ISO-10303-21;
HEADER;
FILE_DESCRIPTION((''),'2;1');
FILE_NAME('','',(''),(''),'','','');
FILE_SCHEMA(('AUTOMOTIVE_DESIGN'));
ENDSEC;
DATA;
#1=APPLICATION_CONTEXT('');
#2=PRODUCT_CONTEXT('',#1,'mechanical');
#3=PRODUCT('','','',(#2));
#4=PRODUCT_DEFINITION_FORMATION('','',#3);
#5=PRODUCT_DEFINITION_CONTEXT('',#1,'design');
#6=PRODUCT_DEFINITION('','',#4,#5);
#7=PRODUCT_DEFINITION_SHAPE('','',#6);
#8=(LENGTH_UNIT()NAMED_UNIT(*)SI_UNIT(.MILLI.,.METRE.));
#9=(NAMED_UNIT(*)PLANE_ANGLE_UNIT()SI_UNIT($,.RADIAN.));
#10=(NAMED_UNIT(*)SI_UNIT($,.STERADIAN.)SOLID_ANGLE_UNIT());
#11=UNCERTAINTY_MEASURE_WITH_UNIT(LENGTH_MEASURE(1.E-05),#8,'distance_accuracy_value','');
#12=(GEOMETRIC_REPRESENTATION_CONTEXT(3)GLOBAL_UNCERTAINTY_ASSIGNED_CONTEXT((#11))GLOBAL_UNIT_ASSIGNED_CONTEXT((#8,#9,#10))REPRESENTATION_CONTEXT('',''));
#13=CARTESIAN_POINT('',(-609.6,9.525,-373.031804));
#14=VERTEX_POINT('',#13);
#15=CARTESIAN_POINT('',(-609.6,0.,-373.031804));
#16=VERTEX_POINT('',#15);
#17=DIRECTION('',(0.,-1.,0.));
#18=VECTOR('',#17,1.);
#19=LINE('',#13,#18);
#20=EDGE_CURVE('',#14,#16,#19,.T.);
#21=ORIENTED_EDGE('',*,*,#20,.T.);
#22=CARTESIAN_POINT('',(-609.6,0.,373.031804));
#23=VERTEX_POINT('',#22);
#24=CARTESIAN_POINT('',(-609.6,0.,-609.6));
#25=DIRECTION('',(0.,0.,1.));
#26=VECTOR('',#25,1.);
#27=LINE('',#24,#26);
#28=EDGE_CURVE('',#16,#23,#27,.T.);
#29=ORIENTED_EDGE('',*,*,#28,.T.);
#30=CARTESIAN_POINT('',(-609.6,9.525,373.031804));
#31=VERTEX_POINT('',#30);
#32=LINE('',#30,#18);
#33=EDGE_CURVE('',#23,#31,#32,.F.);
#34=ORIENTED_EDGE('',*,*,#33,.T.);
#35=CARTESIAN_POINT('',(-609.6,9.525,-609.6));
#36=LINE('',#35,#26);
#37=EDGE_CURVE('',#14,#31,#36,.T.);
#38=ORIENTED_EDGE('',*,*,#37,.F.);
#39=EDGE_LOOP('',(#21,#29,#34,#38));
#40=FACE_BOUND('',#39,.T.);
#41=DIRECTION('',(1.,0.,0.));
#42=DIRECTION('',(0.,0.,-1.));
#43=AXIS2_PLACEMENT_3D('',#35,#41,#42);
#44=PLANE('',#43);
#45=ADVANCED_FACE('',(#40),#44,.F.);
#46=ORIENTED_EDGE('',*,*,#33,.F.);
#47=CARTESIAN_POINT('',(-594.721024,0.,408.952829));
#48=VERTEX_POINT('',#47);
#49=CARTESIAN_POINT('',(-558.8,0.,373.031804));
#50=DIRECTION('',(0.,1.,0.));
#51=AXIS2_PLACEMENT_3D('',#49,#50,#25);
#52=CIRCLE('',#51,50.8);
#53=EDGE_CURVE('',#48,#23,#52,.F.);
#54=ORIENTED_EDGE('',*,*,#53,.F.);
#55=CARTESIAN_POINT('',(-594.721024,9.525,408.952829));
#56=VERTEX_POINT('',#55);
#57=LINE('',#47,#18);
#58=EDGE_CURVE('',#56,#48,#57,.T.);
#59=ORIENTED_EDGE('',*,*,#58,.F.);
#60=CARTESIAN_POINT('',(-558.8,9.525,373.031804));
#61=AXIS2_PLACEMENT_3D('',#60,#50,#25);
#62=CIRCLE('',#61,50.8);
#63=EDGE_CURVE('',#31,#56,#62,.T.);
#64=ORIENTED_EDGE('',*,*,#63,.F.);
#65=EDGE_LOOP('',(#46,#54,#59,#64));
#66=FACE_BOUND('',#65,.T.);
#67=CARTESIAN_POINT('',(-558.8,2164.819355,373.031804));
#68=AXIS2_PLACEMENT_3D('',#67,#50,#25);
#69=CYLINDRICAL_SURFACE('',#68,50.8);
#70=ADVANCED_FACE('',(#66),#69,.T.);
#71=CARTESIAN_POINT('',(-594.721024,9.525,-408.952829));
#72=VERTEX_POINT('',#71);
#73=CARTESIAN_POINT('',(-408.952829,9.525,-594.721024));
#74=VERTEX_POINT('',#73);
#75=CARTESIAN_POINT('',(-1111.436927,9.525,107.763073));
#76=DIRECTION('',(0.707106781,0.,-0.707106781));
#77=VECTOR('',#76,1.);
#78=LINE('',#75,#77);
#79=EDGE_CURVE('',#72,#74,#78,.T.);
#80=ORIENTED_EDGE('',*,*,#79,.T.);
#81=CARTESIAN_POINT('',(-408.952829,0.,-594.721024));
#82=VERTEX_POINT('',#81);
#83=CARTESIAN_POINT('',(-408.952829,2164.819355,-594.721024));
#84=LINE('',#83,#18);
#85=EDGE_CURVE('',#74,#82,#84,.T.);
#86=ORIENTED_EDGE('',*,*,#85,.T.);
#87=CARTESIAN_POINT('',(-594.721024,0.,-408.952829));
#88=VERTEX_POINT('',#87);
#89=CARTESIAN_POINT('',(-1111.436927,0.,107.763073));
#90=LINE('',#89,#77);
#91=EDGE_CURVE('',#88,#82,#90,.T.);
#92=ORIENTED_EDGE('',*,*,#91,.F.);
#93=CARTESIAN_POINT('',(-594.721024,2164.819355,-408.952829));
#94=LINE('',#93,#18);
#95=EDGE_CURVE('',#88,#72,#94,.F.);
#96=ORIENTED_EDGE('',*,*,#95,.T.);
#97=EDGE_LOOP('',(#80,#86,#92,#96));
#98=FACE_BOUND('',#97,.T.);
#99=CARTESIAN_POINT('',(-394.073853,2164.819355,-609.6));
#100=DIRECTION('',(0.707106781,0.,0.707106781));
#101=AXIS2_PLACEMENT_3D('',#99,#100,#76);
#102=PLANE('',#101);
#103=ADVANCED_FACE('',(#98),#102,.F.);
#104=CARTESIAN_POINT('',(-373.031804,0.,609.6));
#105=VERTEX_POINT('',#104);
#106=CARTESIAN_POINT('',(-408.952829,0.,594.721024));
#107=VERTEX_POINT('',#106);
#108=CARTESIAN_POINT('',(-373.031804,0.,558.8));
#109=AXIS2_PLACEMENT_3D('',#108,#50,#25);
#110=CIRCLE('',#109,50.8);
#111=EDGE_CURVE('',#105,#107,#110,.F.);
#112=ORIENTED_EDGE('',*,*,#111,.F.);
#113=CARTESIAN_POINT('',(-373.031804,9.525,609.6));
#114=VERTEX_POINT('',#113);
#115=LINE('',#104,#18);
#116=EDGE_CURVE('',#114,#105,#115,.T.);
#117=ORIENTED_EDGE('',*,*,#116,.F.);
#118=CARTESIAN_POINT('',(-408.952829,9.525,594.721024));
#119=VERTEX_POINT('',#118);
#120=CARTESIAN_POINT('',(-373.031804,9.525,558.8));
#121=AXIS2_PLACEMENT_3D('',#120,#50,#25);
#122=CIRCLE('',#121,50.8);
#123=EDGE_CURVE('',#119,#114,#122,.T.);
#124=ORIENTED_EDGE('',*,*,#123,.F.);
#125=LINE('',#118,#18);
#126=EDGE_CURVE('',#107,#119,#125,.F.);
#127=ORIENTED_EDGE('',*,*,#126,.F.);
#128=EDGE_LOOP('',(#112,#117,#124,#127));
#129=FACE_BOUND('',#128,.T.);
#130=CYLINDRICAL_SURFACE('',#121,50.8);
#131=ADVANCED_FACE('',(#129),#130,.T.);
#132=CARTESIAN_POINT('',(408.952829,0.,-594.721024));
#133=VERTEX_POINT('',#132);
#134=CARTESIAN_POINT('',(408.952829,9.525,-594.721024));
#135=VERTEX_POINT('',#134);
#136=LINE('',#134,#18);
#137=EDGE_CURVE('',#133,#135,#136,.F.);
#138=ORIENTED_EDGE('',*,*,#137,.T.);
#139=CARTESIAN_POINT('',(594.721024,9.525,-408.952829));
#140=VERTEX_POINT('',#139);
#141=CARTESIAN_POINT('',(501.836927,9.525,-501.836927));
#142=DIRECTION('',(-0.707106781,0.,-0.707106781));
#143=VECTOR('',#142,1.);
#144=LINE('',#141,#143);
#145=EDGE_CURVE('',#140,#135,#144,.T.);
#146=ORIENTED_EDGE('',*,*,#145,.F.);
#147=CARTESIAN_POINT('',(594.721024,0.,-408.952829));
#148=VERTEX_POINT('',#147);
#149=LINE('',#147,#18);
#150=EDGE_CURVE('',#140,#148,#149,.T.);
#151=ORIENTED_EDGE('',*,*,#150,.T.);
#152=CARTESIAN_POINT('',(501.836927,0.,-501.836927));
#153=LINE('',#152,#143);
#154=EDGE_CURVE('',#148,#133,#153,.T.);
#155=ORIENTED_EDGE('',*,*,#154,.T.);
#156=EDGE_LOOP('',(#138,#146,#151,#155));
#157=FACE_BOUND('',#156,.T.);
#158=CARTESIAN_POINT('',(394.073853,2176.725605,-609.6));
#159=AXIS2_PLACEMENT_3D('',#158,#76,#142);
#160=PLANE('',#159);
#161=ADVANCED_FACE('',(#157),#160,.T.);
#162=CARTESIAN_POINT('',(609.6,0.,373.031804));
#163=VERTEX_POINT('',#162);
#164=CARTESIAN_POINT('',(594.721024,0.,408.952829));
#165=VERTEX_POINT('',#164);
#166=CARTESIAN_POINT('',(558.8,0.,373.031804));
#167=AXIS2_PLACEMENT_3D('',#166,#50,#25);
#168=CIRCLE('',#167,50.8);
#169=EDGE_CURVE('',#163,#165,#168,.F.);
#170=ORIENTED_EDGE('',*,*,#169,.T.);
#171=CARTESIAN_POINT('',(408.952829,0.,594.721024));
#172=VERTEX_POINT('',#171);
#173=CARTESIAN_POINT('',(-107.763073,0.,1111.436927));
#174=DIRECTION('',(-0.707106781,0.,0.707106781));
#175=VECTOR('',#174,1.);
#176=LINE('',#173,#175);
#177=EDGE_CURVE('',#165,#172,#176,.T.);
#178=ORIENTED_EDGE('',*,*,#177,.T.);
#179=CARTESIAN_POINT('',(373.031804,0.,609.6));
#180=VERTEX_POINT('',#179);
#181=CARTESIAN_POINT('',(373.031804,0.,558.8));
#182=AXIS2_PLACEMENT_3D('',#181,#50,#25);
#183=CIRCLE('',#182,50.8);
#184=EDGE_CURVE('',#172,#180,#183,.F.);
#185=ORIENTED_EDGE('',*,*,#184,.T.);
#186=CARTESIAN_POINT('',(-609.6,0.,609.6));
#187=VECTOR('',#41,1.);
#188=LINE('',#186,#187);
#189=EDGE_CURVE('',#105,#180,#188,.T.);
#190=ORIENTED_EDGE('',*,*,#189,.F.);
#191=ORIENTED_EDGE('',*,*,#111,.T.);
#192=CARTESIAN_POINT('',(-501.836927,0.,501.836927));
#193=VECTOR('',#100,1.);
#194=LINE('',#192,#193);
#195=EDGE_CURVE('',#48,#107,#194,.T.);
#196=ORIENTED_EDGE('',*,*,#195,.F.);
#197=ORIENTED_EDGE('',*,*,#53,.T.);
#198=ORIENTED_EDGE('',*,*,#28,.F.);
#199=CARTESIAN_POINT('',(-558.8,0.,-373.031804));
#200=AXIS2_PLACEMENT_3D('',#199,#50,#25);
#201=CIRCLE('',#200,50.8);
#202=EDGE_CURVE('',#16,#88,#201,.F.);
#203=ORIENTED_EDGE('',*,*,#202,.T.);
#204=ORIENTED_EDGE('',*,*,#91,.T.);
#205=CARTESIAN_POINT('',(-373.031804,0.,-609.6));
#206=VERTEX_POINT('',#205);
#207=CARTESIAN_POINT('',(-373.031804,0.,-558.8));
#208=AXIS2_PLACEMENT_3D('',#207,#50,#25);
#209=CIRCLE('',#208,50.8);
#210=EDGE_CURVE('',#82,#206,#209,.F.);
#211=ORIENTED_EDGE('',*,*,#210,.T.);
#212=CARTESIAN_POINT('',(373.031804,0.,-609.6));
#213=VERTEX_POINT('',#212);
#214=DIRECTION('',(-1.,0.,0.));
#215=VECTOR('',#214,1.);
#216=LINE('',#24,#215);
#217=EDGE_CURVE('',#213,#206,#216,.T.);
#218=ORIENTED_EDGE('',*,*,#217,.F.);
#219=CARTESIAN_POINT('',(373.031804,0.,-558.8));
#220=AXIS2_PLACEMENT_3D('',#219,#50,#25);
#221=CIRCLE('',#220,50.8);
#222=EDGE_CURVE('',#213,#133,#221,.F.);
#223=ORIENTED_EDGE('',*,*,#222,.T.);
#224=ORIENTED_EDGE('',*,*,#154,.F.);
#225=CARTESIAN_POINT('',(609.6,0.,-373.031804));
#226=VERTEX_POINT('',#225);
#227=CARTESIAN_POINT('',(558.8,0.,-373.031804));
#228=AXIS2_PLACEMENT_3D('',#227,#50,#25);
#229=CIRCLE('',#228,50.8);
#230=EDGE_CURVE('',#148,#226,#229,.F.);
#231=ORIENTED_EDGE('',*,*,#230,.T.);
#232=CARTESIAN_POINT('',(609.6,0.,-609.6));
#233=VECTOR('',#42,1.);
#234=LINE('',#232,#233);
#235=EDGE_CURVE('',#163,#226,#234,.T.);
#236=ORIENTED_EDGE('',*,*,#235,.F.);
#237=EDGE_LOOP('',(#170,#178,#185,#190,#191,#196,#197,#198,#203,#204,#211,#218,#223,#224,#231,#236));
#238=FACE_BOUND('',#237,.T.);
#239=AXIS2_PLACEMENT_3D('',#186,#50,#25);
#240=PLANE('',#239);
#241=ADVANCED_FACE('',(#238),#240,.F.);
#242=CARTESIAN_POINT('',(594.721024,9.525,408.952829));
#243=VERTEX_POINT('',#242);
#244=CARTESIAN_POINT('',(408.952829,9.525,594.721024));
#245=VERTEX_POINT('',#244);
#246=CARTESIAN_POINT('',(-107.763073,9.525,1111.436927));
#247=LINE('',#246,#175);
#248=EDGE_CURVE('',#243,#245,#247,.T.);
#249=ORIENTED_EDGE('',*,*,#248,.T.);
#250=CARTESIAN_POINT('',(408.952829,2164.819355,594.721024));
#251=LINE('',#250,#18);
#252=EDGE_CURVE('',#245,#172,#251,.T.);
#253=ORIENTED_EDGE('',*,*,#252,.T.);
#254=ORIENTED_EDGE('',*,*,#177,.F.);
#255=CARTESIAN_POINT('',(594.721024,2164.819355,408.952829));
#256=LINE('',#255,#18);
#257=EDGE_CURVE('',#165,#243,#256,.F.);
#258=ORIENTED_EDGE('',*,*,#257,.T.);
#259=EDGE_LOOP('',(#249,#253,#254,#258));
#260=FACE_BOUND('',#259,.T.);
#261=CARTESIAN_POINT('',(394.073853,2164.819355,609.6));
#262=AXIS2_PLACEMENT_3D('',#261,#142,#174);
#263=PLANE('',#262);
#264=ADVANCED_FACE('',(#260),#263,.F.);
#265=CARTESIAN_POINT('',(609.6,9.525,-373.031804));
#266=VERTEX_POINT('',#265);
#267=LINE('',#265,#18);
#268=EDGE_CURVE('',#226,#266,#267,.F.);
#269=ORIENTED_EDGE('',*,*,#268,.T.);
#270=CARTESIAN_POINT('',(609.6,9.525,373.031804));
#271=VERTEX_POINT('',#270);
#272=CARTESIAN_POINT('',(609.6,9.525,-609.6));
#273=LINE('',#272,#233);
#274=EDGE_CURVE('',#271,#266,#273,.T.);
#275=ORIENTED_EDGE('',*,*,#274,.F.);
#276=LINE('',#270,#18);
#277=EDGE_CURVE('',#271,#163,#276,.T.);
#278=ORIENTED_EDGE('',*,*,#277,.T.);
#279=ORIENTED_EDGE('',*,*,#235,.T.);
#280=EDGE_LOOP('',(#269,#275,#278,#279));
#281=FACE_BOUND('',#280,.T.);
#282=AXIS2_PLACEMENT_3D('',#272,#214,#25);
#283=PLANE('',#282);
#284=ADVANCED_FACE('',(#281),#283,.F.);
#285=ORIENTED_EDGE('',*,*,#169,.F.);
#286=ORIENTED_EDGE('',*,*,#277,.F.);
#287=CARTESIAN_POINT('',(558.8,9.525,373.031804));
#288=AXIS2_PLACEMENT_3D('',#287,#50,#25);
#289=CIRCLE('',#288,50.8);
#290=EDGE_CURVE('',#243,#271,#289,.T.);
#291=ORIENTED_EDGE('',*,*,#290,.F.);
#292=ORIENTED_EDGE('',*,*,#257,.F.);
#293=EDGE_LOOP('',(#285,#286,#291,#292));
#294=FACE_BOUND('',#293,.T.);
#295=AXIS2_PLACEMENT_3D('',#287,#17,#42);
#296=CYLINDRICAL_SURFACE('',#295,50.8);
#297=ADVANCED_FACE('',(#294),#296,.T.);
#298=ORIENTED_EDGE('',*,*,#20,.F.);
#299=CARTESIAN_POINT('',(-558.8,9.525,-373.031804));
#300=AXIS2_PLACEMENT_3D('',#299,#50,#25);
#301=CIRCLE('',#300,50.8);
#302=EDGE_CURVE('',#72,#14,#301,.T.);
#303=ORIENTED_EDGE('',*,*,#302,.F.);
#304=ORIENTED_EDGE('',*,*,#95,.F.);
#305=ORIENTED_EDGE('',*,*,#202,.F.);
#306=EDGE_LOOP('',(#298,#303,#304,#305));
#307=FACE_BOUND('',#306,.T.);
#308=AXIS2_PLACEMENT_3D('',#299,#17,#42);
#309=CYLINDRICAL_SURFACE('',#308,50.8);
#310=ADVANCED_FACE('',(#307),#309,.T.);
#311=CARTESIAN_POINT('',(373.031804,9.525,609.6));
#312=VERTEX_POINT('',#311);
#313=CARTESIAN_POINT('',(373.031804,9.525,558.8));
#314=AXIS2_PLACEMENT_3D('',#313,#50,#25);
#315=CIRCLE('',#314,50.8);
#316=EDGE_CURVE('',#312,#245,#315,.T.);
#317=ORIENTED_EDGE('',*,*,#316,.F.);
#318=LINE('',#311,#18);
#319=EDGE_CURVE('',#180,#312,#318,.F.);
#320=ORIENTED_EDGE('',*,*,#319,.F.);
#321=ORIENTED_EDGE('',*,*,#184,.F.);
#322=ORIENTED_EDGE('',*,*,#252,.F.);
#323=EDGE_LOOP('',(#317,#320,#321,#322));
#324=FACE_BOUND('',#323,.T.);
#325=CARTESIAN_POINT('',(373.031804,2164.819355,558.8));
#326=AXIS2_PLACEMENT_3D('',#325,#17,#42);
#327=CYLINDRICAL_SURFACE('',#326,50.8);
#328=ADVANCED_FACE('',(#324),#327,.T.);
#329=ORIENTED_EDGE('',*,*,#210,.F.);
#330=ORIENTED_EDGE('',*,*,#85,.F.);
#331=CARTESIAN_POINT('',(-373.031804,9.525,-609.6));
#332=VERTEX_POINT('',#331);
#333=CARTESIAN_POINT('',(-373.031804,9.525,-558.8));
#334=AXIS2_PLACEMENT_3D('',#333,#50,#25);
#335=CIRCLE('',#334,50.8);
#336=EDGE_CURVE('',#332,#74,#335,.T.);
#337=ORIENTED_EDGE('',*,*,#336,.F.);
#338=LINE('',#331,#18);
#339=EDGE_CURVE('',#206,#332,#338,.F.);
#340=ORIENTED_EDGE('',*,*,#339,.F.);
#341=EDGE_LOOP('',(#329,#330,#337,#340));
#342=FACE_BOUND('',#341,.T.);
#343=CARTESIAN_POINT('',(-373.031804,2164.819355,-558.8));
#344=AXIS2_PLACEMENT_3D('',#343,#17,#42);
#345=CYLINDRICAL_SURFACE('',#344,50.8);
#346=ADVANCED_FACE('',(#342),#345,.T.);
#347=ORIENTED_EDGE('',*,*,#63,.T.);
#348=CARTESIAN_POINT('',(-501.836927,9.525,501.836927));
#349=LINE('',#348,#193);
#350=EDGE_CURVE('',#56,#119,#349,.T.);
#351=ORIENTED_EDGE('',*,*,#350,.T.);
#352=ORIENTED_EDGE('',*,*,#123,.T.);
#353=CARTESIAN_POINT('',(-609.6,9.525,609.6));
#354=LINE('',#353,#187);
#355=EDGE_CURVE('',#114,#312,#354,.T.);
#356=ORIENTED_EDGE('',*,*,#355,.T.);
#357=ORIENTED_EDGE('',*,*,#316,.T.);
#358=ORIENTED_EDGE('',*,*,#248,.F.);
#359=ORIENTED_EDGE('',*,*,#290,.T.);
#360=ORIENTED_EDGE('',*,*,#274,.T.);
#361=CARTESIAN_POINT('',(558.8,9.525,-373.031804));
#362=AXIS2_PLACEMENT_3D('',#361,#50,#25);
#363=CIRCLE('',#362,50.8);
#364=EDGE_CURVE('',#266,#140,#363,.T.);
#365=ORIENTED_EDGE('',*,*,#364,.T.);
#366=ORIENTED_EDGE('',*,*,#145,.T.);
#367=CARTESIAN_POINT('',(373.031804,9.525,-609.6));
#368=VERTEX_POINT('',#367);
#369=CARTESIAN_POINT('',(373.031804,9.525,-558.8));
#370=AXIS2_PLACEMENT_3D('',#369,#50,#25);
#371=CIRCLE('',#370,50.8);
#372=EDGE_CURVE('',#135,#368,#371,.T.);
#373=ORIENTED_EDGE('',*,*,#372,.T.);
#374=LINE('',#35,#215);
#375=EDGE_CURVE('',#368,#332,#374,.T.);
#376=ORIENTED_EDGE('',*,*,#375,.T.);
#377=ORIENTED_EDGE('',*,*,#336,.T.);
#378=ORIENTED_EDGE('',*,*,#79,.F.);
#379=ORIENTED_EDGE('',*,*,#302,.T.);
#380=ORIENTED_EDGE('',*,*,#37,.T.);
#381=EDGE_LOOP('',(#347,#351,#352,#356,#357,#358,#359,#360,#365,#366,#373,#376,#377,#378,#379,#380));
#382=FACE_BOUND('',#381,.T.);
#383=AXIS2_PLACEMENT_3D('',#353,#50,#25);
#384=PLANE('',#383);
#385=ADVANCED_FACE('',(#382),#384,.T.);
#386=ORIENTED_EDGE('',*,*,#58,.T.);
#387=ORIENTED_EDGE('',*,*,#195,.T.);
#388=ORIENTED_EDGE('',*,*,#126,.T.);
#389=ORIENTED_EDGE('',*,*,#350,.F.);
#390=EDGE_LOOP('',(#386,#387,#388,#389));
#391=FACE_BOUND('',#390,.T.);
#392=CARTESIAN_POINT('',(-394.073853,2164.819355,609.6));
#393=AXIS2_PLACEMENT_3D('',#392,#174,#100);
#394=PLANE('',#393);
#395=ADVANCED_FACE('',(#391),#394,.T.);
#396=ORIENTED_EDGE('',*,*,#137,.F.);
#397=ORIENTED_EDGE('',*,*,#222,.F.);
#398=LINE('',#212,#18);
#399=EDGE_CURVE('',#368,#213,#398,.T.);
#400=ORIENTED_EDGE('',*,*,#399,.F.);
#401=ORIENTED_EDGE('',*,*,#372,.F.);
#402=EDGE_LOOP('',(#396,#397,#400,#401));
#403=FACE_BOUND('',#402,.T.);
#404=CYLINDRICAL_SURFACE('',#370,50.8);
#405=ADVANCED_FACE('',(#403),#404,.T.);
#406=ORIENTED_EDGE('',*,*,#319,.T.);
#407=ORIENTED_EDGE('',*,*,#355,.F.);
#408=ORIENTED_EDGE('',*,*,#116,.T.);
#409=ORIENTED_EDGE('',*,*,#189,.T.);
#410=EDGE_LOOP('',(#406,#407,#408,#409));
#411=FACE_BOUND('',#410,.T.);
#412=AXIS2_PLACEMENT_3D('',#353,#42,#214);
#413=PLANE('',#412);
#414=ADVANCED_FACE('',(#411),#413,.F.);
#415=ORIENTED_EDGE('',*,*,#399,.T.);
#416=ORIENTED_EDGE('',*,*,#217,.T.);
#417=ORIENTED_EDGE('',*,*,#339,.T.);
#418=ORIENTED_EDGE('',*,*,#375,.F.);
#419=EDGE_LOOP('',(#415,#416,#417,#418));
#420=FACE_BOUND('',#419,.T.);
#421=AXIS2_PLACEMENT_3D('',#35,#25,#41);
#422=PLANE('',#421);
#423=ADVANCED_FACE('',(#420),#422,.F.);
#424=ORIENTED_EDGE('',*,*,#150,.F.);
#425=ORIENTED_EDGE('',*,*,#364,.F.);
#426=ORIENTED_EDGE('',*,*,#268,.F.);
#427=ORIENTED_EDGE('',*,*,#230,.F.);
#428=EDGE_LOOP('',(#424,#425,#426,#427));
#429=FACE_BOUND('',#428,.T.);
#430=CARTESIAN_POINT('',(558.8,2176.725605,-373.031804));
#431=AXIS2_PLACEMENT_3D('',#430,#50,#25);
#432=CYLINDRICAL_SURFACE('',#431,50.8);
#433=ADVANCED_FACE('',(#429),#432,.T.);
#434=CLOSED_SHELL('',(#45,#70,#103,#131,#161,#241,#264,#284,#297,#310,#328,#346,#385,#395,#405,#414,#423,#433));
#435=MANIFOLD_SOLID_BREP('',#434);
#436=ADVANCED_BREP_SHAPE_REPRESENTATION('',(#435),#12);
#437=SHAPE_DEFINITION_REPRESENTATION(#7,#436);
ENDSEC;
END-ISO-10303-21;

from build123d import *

# Parameters (mm, degrees)
SKETCH1_W            = 1219.2
SKETCH1_H            = 1219.2
BOSS_EXTRUDE1_DEPTH  = 9.525
CUT_EXTRUDE1_REACH   = 864.157
SKETCH2_R            = 152.4
CUT_EXTRUDE2_DEPTH   = 863.157204705
MIRROR2_COPY_1_DEPTH = 863.157204705
FILLET1_R            = 50.8


with BuildPart() as part:
    # Sketch1 → Boss-Extrude1 (new body)
    with BuildSketch(Plane(origin=(0, 0, 0), x_dir=(1, 0, 0), z_dir=(0, 1, 0))):
        Rectangle(SKETCH1_W, SKETCH1_H)
    extrude(amount=BOSS_EXTRUDE1_DEPTH)

    # Sketch2 → Cut-Extrude1 (cut, up to next)
    with BuildSketch(Plane(origin=(0, 9.525, 0), x_dir=(1, 0, 0), z_dir=(0, 1, 0)), mode=Mode.PRIVATE) as cut_extrude1_sk1:
        with Locations((-609.6, 609.6)):
            Circle(SKETCH2_R)
    cut_extrude1_tool1 = extrude(cut_extrude1_sk1.sketch, amount=-CUT_EXTRUDE1_REACH, mode=Mode.PRIVATE) & part.part
    # Sketch2 → Cut-Extrude1 (cut, up to next)
    with BuildSketch(Plane(origin=(0, 9.525, 0), x_dir=(1, 0, 0), z_dir=(0, 1, 0)), mode=Mode.PRIVATE) as cut_extrude1_sk2:
        with Locations((-609.6, -609.6)):
            Circle(SKETCH2_R)
    cut_extrude1_tool2 = extrude(cut_extrude1_sk2.sketch, amount=-CUT_EXTRUDE1_REACH, mode=Mode.PRIVATE) & part.part
    # Sketch2 → Cut-Extrude1 (cut, up to next)
    with BuildSketch(Plane(origin=(0, 9.525, 0), x_dir=(1, 0, 0), z_dir=(0, 1, 0)), mode=Mode.PRIVATE) as cut_extrude1_sk3:
        with Locations((609.6, -609.6)):
            Circle(SKETCH2_R)
    cut_extrude1_tool3 = extrude(cut_extrude1_sk3.sketch, amount=-CUT_EXTRUDE1_REACH, mode=Mode.PRIVATE) & part.part
    # Sketch2 → Cut-Extrude1 (cut, up to next)
    with BuildSketch(Plane(origin=(0, 9.525, 0), x_dir=(1, 0, 0), z_dir=(0, 1, 0)), mode=Mode.PRIVATE) as cut_extrude1_sk4:
        with Locations((609.6, 609.6)):
            Circle(SKETCH2_R)
    cut_extrude1_tool4 = extrude(cut_extrude1_sk4.sketch, amount=-CUT_EXTRUDE1_REACH, mode=Mode.PRIVATE) & part.part
    add(cut_extrude1_tool1.solids().sort_by_distance((-609.6, 9.525, -609.6))[0], mode=Mode.SUBTRACT)
    add(cut_extrude1_tool2.solids().sort_by_distance((-609.6, 9.525, 609.6))[0], mode=Mode.SUBTRACT)
    add(cut_extrude1_tool3.solids().sort_by_distance((609.6, 9.525, 609.6))[0], mode=Mode.SUBTRACT)
    add(cut_extrude1_tool4.solids().sort_by_distance((609.6, 9.525, -609.6))[0], mode=Mode.SUBTRACT)

    # Sketch3 → Cut-Extrude2 (cut, symmetric)
    with BuildSketch(Plane(origin=(0, 9.525, 0), x_dir=(1, 0, 0), z_dir=(0, 1, 0))):
        Polygon((-1846.295154261, 2849.969007356), (394.073853094, 609.6), (609.6, 394.073853094), (2849.969007356, -1846.295154261), (7330.707022067, 2634.44286045), (2634.44286045, 7330.707022067), align=None)
    cut_extrude2 = extrude(amount=CUT_EXTRUDE2_DEPTH, both=True, mode=Mode.SUBTRACT)

    # Mirror1: Cut-Extrude2 across plane
    add(cut_extrude2.mirror(Plane.XY), mode=Mode.SUBTRACT)

    # Mirror2: Cut-Extrude2 across plane
    add(cut_extrude2.mirror(Plane(origin=(0, 0, 0), x_dir=(0, 0, 1), z_dir=(1, 0, 0))), mode=Mode.SUBTRACT)

    # Mirror2 copy 1 sketch → Mirror2 copy 1 (cut, symmetric)
    with BuildSketch(Plane(origin=(0, 9.525, 0), x_dir=(-1, 0, 0), z_dir=(0, 1, 0))):
        Polygon((-1846.295154261, 2849.969007356), (394.073853094, 609.6), (609.6, 394.073853094), (2849.969007356, -1846.295154261), (7330.707022067, 2634.44286045), (2634.44286045, 7330.707022067), align=None)
    extrude(amount=MIRROR2_COPY_1_DEPTH, both=True, mode=Mode.SUBTRACT)

    # Fillet1
    fillet1_edges = [part.edges().sort_by_distance(p)[0] for p in [
        (-609.6, 4.7625, -394.073853094),
        (-394.073853094, 4.7625, -609.6),
        (-609.6, 4.7625, 394.073853094),
        (-394.073853094, 4.7625, 609.6),
        (609.6, 4.7625, -394.073853094),
        (394.073853094, 4.7625, -609.6),
        (609.6, 4.7625, 394.073853094),
        (394.073853094, 4.7625, 609.6),
    ]]
    fillet(fillet1_edges, radius=FILLET1_R)


solid = part.part
